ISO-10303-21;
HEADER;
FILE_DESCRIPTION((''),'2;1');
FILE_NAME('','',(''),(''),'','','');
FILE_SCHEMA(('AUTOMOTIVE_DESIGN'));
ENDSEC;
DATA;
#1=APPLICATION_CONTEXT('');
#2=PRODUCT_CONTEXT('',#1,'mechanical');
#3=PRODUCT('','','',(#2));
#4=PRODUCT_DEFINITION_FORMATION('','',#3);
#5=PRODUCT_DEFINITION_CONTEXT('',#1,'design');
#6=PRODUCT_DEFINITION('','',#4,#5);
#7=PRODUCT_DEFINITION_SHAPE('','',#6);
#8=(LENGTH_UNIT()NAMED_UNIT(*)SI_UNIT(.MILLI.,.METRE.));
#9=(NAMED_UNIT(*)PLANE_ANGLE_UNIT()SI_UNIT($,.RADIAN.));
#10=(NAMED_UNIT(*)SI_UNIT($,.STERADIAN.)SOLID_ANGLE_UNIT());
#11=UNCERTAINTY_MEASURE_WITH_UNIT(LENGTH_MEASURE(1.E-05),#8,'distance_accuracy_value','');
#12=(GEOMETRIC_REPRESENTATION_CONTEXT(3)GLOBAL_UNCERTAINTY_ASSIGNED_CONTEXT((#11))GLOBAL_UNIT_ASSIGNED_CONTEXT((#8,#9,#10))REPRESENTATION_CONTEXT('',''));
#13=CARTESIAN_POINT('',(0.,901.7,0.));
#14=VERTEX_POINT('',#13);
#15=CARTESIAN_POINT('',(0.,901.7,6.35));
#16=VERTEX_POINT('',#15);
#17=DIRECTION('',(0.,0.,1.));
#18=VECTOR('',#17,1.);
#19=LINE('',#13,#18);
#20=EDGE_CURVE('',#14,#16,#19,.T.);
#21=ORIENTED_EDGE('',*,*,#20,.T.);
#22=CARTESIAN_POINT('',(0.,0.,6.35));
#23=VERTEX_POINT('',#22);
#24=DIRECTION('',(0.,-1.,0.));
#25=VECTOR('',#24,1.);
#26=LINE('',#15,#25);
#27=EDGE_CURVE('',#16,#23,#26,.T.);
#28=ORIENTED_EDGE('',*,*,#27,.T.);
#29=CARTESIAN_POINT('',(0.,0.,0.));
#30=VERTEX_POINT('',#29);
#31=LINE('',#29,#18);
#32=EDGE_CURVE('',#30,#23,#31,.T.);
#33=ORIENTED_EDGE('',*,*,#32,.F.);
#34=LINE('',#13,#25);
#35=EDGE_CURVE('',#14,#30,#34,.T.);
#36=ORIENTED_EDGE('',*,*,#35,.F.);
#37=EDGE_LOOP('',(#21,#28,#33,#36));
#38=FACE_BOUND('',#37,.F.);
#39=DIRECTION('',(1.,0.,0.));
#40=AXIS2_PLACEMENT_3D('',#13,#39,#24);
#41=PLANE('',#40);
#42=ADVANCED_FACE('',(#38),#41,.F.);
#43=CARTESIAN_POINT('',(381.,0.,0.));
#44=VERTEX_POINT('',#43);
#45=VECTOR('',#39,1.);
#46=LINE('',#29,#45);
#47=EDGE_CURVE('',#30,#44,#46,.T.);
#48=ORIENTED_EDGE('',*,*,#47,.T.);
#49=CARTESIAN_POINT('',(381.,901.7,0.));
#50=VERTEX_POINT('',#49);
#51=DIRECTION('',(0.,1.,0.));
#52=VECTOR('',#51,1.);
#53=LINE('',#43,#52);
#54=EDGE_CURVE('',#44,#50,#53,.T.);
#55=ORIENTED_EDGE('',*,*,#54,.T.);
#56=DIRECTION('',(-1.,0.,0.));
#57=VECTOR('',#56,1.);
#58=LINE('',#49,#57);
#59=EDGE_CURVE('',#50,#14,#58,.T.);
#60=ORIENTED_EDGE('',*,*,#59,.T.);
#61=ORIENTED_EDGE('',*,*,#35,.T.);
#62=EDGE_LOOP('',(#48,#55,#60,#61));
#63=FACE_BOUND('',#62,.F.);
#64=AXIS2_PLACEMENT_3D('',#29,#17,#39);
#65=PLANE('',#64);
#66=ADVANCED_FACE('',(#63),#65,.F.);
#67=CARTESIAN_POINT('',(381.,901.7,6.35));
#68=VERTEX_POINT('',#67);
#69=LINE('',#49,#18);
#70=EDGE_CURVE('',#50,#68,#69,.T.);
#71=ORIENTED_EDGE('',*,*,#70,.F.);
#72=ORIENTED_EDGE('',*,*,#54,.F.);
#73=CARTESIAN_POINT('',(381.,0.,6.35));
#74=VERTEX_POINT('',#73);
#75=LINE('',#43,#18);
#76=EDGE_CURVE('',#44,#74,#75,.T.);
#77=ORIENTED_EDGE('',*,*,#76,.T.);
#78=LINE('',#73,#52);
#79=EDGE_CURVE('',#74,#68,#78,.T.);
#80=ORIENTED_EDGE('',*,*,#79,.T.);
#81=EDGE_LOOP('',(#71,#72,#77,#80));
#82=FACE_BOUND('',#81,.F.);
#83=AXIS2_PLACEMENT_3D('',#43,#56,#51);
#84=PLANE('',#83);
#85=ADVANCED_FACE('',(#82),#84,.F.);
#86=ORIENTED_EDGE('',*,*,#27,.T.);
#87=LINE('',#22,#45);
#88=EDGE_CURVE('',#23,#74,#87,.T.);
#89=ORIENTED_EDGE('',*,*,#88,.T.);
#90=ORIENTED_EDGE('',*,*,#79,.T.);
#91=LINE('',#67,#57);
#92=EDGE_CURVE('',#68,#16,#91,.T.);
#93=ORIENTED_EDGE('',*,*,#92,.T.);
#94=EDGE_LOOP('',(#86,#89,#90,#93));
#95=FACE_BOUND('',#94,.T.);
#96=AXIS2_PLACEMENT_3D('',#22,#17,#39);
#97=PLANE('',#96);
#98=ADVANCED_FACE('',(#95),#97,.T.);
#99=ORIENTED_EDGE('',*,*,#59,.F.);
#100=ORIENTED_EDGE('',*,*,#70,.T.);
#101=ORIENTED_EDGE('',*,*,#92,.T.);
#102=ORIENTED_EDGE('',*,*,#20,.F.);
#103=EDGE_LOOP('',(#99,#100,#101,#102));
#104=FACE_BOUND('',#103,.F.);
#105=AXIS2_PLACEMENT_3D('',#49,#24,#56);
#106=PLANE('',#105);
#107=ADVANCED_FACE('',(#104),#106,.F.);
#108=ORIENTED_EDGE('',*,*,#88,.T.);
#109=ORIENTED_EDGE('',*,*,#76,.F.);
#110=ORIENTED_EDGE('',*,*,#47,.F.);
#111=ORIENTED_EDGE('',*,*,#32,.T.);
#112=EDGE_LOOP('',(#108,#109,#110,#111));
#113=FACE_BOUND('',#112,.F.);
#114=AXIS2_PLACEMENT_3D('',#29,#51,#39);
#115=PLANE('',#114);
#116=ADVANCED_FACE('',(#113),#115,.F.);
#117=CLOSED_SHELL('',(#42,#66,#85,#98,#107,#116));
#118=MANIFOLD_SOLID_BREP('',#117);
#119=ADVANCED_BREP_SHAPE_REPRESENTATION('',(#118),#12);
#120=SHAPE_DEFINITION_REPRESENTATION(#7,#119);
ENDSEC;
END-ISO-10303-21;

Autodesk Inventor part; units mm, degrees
ref_plane "YZ Plane" through (0, 0, 0) normal (1, 0, 0) x (0, 1, 0)
ref_plane "XZ Plane" through (0, 0, 0) normal (0, 1, 0) x (-1, 0, 0)
ref_plane "XY Plane" through (0, 0, 0) normal (0, 0, 1) x (1, 0, 0)
sketch "Sketch1" plane through (0, 0, 0) normal (0, 0, 1) x (1, 0, 0)
  line L0 (0, 0) -> (381, 0)
  line L1 (381, 0) -> (381, 901.7)
  line L2 (381, 901.7) -> (0, 901.7)
  line L3 (0, 901.7) -> (0, 0)
  dimension "d0" = 381
  dimension "d1" = 901.7
extrude "Extrusion1" add sketch "Sketch1" along normal blind 6.35
properties part number "arm_enclosure_door_panel"
